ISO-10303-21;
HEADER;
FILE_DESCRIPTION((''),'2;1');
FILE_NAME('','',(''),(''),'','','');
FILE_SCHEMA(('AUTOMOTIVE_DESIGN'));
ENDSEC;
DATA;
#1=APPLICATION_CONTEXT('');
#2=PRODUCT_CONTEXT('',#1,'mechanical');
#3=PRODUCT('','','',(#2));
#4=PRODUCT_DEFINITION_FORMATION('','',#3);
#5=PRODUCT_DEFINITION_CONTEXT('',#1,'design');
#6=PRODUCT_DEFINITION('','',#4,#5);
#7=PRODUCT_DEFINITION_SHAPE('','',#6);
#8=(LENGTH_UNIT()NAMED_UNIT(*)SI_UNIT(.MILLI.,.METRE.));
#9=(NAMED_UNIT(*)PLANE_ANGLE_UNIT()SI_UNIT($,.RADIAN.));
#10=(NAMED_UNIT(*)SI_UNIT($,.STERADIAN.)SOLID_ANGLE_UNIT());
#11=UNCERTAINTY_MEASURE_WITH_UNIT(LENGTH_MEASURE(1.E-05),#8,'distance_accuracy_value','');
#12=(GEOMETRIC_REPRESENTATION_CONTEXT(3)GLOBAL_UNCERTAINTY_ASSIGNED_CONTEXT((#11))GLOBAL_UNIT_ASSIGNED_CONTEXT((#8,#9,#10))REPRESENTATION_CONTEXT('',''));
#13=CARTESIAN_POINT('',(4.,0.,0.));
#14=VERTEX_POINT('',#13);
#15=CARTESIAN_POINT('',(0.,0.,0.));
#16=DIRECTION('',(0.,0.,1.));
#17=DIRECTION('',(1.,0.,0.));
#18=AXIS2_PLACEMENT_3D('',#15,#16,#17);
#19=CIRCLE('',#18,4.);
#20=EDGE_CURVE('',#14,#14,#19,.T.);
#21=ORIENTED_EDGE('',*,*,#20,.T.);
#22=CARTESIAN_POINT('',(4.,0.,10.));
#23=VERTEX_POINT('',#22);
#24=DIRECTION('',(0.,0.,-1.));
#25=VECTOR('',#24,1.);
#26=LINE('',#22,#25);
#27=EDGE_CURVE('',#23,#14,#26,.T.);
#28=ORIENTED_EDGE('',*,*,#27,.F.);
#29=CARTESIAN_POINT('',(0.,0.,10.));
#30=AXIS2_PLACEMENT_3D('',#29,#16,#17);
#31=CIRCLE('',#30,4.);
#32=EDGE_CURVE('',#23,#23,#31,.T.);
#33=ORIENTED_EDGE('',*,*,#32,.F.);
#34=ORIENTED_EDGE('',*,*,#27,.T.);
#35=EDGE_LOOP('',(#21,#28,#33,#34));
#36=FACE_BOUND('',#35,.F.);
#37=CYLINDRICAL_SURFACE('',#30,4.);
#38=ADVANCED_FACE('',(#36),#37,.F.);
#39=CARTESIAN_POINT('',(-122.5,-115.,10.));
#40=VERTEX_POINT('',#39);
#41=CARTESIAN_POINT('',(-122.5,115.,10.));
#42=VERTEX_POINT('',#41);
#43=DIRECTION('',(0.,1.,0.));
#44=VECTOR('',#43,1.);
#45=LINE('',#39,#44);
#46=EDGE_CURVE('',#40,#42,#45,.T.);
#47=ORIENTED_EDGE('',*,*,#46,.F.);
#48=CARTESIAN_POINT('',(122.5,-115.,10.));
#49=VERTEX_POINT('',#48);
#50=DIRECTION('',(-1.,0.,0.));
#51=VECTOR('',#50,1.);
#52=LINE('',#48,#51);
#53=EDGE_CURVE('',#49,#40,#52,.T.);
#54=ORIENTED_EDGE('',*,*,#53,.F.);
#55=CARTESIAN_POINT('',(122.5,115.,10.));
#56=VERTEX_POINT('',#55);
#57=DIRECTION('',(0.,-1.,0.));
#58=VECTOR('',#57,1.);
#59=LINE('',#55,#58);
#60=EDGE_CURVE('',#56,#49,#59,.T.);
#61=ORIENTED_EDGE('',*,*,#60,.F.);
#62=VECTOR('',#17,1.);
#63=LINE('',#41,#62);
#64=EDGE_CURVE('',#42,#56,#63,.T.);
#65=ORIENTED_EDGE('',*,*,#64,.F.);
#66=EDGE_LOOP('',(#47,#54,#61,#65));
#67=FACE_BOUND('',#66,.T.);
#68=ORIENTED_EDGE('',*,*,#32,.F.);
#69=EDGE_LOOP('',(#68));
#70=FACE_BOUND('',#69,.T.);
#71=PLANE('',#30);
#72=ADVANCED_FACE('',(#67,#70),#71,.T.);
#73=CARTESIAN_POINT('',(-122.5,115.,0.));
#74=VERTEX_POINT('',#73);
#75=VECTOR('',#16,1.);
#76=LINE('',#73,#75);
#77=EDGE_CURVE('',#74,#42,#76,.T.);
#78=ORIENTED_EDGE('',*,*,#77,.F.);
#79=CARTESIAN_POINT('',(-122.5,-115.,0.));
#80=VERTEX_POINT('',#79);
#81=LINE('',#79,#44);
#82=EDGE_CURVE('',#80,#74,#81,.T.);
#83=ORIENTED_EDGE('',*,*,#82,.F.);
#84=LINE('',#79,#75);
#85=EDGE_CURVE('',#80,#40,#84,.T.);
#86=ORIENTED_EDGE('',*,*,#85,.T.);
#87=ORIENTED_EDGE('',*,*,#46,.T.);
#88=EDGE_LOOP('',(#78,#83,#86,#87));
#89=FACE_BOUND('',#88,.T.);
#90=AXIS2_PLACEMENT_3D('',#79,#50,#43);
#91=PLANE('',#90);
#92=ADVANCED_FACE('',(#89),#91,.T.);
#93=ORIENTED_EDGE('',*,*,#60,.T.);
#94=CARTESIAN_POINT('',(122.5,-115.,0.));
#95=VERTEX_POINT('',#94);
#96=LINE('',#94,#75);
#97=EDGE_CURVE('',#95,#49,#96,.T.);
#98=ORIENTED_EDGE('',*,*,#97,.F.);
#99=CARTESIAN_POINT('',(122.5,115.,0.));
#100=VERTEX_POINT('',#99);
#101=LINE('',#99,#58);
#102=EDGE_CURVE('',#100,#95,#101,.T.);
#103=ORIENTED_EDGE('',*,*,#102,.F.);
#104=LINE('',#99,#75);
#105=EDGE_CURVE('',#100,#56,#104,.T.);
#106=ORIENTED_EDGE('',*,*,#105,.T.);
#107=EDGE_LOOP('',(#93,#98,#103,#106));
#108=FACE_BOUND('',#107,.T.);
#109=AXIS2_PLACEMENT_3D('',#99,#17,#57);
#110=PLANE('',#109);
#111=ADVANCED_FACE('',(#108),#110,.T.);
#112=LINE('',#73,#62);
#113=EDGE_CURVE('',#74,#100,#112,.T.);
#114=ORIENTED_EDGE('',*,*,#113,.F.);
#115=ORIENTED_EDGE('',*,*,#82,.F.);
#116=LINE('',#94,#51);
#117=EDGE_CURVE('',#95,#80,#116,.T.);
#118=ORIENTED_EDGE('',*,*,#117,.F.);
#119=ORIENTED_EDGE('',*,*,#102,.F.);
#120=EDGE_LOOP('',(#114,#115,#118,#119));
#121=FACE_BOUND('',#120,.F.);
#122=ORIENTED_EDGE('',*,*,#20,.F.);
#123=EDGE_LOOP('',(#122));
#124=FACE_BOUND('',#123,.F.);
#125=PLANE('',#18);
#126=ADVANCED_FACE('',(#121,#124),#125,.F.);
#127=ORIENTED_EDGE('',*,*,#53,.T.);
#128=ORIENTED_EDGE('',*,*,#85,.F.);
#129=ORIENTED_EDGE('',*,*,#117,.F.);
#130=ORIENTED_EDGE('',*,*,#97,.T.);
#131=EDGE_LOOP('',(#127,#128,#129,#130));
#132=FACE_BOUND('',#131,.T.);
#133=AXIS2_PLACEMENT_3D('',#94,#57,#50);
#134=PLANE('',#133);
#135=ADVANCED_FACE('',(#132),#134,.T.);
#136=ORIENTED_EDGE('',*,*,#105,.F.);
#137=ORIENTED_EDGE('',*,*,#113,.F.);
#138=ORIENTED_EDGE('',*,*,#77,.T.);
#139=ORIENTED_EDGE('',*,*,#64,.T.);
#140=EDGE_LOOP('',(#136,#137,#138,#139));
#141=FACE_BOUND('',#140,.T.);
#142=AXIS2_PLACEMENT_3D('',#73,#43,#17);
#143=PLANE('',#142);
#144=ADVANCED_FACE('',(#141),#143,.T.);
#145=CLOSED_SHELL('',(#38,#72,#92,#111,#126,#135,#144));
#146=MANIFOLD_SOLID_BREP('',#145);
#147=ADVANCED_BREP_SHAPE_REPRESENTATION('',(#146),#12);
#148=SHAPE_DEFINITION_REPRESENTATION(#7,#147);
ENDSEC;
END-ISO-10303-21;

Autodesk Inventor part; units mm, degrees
ref_plane "YZ Plane" through (0, 0, 0) normal (1, 0, 0) x (0, 1, 0)
ref_plane "XZ Plane" through (0, 0, 0) normal (0, 1, 0) x (-1, 0, 0)
ref_plane "XY Plane" through (0, 0, 0) normal (0, 0, 1) x (1, 0, 0)
sketch "Sketch1" plane through (0, 0, 0) normal (0, 0, 1) x (1, 0, 0)
  line L0 (-122.5, 115) -> (122.5, 115)
  line L1 (122.5, 115) -> (122.5, -115)
  line L2 (122.5, -115) -> (-122.5, -115)
  line L3 (-122.5, -115) -> (-122.5, 115)
  point P0 (0, 0)
  dimension "d0" = 245
  dimension "d1" = 230
  dimension "d2" = 122.5
  dimension "d3" = 115
extrude "Extrusion1" add sketch "Sketch1" along normal blind 10
sketch "Sketch2" plane through (0, 0, 10) normal (0, 0, 1) x (1, 0, 0)
  circle A0 centre (0, 0) radius 4
  dimension "d6" = 8
extrude "Extrusion2" cut sketch "Sketch2" against normal up to next
equation "\"d2\" = 0.5 * d0"
equation "\"d3\" = 0.5 * d1"
properties part number "Base" material "ABS Plastic"
